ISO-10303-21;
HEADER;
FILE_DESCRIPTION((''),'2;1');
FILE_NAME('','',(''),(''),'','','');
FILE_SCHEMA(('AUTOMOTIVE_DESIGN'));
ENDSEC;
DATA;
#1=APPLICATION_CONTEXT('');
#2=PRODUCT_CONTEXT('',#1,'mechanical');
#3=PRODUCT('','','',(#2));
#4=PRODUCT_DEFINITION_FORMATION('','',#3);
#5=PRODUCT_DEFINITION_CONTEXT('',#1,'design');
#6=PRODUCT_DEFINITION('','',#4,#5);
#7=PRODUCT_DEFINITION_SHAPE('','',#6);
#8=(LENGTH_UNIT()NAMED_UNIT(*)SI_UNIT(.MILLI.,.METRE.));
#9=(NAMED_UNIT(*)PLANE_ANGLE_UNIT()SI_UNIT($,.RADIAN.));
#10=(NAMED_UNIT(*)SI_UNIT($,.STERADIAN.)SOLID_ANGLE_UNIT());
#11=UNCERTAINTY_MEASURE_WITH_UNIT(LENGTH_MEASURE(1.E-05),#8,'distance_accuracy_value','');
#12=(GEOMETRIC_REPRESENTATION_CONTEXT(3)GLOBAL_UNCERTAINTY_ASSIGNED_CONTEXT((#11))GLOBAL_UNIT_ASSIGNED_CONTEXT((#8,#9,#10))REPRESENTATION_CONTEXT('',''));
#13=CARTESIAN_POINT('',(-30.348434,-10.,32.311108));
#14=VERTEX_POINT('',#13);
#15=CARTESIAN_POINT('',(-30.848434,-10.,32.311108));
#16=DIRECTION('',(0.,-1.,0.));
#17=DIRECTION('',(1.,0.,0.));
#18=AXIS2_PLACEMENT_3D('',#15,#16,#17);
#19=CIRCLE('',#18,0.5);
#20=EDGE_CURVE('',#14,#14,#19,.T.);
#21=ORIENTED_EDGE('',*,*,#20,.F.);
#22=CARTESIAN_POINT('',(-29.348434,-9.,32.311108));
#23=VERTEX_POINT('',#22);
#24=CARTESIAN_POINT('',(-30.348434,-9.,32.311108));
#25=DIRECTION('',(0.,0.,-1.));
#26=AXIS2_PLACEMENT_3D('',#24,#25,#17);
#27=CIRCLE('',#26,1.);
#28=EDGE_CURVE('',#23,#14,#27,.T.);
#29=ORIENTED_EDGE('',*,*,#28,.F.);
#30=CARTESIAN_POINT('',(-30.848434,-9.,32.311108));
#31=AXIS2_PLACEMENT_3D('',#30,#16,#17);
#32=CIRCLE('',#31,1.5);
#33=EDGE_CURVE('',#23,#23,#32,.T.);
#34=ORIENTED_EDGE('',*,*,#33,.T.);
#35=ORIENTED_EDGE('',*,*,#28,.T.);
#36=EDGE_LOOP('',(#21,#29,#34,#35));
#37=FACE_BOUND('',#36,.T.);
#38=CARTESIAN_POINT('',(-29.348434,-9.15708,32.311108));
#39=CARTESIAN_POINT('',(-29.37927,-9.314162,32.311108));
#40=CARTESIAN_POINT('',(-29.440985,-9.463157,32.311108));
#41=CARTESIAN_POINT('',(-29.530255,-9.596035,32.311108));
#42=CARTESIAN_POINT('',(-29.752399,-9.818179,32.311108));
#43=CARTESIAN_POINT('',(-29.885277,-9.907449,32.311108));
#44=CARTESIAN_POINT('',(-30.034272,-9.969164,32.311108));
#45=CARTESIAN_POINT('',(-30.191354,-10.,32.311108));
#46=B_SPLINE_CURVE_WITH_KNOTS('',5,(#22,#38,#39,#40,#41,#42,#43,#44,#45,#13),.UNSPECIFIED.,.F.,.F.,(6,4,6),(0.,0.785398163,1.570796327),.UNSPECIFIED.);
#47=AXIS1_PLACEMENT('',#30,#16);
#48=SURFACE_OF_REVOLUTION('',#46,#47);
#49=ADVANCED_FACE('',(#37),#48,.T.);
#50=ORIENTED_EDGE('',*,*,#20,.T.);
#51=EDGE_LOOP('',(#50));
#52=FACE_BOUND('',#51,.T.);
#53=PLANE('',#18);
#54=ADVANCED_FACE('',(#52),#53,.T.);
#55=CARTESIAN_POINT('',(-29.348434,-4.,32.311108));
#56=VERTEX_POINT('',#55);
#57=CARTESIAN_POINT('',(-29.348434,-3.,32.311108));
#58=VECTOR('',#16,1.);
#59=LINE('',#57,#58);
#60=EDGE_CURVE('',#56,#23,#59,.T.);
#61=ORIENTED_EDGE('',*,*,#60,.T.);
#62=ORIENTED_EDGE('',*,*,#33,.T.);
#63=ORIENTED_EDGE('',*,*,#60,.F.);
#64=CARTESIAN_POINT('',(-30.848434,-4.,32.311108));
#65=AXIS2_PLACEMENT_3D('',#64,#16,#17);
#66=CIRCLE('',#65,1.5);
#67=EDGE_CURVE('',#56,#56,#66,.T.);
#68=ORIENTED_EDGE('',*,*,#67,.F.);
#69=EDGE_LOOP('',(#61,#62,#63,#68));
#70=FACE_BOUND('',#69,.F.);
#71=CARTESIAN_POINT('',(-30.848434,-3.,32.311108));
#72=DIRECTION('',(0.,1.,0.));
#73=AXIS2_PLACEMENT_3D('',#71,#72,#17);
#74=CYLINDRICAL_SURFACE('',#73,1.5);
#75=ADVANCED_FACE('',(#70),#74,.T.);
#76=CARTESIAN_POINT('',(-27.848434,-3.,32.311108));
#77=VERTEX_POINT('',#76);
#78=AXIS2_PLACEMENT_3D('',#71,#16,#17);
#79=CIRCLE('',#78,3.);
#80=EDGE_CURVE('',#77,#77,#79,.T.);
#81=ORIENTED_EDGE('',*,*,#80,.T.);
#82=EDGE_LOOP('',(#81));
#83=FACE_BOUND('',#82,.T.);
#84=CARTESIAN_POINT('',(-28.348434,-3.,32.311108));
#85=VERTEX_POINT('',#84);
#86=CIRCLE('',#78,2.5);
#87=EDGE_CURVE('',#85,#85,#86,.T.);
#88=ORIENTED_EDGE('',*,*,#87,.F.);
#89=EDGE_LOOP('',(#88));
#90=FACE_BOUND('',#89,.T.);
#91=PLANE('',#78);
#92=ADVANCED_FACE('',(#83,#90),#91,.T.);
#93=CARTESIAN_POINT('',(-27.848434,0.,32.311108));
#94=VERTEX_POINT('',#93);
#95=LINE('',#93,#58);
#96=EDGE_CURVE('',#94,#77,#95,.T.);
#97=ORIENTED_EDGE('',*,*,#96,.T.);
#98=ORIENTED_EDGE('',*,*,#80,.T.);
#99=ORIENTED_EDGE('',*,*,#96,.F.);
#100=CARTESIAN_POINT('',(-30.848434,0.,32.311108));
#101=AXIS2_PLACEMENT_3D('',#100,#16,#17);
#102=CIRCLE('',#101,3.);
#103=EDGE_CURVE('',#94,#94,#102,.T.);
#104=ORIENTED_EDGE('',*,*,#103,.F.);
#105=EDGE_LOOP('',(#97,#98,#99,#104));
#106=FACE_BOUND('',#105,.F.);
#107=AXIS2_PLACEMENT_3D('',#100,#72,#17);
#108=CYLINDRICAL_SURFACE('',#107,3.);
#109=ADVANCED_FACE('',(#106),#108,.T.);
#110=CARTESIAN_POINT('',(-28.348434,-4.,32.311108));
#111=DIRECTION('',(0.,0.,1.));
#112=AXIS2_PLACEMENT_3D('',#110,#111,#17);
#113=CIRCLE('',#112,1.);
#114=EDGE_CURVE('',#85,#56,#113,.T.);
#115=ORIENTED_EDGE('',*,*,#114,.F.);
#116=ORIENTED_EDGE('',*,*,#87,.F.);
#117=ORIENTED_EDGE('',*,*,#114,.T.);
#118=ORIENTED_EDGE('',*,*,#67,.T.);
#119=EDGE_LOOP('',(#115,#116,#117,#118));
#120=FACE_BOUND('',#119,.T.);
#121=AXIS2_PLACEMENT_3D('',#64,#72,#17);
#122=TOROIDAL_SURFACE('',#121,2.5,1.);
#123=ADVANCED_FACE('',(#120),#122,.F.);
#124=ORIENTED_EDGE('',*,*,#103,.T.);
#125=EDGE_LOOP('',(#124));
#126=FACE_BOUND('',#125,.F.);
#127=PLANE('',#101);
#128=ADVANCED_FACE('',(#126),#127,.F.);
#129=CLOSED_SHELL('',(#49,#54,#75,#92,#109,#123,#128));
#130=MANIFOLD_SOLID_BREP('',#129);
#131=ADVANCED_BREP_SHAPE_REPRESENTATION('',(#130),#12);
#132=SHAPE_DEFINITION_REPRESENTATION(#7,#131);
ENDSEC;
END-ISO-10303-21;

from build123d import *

# Parameters (mm, degrees)
SKETCH007_R  = 3
PAD003_DEPTH = 3
SKETCH008_R  = 1.5
PAD004_DEPTH = 7
FILLET_R     = 1
FILLET001_R  = 1


with BuildPart() as part:
    # Sketch007 → Pad003 (new body)
    with BuildSketch(Plane.XZ):
        with Locations((-30.848434, 32.311108)):
            Circle(SKETCH007_R)
    extrude(amount=PAD003_DEPTH)

    # Sketch008 → Pad004 (new body)
    with BuildSketch(Plane.XZ.offset(3)):
        with Locations((-30.848434, 32.311108)):
            Circle(SKETCH008_R)
    extrude(amount=PAD004_DEPTH)

    # Fillet
    fillet_edges = [part.edges().sort_by_distance(p)[0] for p in [
        (-32.348434, -3, 32.311108),
    ]]
    fillet(fillet_edges, radius=FILLET_R)

    # Fillet001
    fillet001_edges = [part.edges().sort_by_distance(p)[0] for p in [
        (-32.348434, -10, 32.311108),
    ]]
    fillet(fillet001_edges, radius=FILLET001_R)


solid = part.part
